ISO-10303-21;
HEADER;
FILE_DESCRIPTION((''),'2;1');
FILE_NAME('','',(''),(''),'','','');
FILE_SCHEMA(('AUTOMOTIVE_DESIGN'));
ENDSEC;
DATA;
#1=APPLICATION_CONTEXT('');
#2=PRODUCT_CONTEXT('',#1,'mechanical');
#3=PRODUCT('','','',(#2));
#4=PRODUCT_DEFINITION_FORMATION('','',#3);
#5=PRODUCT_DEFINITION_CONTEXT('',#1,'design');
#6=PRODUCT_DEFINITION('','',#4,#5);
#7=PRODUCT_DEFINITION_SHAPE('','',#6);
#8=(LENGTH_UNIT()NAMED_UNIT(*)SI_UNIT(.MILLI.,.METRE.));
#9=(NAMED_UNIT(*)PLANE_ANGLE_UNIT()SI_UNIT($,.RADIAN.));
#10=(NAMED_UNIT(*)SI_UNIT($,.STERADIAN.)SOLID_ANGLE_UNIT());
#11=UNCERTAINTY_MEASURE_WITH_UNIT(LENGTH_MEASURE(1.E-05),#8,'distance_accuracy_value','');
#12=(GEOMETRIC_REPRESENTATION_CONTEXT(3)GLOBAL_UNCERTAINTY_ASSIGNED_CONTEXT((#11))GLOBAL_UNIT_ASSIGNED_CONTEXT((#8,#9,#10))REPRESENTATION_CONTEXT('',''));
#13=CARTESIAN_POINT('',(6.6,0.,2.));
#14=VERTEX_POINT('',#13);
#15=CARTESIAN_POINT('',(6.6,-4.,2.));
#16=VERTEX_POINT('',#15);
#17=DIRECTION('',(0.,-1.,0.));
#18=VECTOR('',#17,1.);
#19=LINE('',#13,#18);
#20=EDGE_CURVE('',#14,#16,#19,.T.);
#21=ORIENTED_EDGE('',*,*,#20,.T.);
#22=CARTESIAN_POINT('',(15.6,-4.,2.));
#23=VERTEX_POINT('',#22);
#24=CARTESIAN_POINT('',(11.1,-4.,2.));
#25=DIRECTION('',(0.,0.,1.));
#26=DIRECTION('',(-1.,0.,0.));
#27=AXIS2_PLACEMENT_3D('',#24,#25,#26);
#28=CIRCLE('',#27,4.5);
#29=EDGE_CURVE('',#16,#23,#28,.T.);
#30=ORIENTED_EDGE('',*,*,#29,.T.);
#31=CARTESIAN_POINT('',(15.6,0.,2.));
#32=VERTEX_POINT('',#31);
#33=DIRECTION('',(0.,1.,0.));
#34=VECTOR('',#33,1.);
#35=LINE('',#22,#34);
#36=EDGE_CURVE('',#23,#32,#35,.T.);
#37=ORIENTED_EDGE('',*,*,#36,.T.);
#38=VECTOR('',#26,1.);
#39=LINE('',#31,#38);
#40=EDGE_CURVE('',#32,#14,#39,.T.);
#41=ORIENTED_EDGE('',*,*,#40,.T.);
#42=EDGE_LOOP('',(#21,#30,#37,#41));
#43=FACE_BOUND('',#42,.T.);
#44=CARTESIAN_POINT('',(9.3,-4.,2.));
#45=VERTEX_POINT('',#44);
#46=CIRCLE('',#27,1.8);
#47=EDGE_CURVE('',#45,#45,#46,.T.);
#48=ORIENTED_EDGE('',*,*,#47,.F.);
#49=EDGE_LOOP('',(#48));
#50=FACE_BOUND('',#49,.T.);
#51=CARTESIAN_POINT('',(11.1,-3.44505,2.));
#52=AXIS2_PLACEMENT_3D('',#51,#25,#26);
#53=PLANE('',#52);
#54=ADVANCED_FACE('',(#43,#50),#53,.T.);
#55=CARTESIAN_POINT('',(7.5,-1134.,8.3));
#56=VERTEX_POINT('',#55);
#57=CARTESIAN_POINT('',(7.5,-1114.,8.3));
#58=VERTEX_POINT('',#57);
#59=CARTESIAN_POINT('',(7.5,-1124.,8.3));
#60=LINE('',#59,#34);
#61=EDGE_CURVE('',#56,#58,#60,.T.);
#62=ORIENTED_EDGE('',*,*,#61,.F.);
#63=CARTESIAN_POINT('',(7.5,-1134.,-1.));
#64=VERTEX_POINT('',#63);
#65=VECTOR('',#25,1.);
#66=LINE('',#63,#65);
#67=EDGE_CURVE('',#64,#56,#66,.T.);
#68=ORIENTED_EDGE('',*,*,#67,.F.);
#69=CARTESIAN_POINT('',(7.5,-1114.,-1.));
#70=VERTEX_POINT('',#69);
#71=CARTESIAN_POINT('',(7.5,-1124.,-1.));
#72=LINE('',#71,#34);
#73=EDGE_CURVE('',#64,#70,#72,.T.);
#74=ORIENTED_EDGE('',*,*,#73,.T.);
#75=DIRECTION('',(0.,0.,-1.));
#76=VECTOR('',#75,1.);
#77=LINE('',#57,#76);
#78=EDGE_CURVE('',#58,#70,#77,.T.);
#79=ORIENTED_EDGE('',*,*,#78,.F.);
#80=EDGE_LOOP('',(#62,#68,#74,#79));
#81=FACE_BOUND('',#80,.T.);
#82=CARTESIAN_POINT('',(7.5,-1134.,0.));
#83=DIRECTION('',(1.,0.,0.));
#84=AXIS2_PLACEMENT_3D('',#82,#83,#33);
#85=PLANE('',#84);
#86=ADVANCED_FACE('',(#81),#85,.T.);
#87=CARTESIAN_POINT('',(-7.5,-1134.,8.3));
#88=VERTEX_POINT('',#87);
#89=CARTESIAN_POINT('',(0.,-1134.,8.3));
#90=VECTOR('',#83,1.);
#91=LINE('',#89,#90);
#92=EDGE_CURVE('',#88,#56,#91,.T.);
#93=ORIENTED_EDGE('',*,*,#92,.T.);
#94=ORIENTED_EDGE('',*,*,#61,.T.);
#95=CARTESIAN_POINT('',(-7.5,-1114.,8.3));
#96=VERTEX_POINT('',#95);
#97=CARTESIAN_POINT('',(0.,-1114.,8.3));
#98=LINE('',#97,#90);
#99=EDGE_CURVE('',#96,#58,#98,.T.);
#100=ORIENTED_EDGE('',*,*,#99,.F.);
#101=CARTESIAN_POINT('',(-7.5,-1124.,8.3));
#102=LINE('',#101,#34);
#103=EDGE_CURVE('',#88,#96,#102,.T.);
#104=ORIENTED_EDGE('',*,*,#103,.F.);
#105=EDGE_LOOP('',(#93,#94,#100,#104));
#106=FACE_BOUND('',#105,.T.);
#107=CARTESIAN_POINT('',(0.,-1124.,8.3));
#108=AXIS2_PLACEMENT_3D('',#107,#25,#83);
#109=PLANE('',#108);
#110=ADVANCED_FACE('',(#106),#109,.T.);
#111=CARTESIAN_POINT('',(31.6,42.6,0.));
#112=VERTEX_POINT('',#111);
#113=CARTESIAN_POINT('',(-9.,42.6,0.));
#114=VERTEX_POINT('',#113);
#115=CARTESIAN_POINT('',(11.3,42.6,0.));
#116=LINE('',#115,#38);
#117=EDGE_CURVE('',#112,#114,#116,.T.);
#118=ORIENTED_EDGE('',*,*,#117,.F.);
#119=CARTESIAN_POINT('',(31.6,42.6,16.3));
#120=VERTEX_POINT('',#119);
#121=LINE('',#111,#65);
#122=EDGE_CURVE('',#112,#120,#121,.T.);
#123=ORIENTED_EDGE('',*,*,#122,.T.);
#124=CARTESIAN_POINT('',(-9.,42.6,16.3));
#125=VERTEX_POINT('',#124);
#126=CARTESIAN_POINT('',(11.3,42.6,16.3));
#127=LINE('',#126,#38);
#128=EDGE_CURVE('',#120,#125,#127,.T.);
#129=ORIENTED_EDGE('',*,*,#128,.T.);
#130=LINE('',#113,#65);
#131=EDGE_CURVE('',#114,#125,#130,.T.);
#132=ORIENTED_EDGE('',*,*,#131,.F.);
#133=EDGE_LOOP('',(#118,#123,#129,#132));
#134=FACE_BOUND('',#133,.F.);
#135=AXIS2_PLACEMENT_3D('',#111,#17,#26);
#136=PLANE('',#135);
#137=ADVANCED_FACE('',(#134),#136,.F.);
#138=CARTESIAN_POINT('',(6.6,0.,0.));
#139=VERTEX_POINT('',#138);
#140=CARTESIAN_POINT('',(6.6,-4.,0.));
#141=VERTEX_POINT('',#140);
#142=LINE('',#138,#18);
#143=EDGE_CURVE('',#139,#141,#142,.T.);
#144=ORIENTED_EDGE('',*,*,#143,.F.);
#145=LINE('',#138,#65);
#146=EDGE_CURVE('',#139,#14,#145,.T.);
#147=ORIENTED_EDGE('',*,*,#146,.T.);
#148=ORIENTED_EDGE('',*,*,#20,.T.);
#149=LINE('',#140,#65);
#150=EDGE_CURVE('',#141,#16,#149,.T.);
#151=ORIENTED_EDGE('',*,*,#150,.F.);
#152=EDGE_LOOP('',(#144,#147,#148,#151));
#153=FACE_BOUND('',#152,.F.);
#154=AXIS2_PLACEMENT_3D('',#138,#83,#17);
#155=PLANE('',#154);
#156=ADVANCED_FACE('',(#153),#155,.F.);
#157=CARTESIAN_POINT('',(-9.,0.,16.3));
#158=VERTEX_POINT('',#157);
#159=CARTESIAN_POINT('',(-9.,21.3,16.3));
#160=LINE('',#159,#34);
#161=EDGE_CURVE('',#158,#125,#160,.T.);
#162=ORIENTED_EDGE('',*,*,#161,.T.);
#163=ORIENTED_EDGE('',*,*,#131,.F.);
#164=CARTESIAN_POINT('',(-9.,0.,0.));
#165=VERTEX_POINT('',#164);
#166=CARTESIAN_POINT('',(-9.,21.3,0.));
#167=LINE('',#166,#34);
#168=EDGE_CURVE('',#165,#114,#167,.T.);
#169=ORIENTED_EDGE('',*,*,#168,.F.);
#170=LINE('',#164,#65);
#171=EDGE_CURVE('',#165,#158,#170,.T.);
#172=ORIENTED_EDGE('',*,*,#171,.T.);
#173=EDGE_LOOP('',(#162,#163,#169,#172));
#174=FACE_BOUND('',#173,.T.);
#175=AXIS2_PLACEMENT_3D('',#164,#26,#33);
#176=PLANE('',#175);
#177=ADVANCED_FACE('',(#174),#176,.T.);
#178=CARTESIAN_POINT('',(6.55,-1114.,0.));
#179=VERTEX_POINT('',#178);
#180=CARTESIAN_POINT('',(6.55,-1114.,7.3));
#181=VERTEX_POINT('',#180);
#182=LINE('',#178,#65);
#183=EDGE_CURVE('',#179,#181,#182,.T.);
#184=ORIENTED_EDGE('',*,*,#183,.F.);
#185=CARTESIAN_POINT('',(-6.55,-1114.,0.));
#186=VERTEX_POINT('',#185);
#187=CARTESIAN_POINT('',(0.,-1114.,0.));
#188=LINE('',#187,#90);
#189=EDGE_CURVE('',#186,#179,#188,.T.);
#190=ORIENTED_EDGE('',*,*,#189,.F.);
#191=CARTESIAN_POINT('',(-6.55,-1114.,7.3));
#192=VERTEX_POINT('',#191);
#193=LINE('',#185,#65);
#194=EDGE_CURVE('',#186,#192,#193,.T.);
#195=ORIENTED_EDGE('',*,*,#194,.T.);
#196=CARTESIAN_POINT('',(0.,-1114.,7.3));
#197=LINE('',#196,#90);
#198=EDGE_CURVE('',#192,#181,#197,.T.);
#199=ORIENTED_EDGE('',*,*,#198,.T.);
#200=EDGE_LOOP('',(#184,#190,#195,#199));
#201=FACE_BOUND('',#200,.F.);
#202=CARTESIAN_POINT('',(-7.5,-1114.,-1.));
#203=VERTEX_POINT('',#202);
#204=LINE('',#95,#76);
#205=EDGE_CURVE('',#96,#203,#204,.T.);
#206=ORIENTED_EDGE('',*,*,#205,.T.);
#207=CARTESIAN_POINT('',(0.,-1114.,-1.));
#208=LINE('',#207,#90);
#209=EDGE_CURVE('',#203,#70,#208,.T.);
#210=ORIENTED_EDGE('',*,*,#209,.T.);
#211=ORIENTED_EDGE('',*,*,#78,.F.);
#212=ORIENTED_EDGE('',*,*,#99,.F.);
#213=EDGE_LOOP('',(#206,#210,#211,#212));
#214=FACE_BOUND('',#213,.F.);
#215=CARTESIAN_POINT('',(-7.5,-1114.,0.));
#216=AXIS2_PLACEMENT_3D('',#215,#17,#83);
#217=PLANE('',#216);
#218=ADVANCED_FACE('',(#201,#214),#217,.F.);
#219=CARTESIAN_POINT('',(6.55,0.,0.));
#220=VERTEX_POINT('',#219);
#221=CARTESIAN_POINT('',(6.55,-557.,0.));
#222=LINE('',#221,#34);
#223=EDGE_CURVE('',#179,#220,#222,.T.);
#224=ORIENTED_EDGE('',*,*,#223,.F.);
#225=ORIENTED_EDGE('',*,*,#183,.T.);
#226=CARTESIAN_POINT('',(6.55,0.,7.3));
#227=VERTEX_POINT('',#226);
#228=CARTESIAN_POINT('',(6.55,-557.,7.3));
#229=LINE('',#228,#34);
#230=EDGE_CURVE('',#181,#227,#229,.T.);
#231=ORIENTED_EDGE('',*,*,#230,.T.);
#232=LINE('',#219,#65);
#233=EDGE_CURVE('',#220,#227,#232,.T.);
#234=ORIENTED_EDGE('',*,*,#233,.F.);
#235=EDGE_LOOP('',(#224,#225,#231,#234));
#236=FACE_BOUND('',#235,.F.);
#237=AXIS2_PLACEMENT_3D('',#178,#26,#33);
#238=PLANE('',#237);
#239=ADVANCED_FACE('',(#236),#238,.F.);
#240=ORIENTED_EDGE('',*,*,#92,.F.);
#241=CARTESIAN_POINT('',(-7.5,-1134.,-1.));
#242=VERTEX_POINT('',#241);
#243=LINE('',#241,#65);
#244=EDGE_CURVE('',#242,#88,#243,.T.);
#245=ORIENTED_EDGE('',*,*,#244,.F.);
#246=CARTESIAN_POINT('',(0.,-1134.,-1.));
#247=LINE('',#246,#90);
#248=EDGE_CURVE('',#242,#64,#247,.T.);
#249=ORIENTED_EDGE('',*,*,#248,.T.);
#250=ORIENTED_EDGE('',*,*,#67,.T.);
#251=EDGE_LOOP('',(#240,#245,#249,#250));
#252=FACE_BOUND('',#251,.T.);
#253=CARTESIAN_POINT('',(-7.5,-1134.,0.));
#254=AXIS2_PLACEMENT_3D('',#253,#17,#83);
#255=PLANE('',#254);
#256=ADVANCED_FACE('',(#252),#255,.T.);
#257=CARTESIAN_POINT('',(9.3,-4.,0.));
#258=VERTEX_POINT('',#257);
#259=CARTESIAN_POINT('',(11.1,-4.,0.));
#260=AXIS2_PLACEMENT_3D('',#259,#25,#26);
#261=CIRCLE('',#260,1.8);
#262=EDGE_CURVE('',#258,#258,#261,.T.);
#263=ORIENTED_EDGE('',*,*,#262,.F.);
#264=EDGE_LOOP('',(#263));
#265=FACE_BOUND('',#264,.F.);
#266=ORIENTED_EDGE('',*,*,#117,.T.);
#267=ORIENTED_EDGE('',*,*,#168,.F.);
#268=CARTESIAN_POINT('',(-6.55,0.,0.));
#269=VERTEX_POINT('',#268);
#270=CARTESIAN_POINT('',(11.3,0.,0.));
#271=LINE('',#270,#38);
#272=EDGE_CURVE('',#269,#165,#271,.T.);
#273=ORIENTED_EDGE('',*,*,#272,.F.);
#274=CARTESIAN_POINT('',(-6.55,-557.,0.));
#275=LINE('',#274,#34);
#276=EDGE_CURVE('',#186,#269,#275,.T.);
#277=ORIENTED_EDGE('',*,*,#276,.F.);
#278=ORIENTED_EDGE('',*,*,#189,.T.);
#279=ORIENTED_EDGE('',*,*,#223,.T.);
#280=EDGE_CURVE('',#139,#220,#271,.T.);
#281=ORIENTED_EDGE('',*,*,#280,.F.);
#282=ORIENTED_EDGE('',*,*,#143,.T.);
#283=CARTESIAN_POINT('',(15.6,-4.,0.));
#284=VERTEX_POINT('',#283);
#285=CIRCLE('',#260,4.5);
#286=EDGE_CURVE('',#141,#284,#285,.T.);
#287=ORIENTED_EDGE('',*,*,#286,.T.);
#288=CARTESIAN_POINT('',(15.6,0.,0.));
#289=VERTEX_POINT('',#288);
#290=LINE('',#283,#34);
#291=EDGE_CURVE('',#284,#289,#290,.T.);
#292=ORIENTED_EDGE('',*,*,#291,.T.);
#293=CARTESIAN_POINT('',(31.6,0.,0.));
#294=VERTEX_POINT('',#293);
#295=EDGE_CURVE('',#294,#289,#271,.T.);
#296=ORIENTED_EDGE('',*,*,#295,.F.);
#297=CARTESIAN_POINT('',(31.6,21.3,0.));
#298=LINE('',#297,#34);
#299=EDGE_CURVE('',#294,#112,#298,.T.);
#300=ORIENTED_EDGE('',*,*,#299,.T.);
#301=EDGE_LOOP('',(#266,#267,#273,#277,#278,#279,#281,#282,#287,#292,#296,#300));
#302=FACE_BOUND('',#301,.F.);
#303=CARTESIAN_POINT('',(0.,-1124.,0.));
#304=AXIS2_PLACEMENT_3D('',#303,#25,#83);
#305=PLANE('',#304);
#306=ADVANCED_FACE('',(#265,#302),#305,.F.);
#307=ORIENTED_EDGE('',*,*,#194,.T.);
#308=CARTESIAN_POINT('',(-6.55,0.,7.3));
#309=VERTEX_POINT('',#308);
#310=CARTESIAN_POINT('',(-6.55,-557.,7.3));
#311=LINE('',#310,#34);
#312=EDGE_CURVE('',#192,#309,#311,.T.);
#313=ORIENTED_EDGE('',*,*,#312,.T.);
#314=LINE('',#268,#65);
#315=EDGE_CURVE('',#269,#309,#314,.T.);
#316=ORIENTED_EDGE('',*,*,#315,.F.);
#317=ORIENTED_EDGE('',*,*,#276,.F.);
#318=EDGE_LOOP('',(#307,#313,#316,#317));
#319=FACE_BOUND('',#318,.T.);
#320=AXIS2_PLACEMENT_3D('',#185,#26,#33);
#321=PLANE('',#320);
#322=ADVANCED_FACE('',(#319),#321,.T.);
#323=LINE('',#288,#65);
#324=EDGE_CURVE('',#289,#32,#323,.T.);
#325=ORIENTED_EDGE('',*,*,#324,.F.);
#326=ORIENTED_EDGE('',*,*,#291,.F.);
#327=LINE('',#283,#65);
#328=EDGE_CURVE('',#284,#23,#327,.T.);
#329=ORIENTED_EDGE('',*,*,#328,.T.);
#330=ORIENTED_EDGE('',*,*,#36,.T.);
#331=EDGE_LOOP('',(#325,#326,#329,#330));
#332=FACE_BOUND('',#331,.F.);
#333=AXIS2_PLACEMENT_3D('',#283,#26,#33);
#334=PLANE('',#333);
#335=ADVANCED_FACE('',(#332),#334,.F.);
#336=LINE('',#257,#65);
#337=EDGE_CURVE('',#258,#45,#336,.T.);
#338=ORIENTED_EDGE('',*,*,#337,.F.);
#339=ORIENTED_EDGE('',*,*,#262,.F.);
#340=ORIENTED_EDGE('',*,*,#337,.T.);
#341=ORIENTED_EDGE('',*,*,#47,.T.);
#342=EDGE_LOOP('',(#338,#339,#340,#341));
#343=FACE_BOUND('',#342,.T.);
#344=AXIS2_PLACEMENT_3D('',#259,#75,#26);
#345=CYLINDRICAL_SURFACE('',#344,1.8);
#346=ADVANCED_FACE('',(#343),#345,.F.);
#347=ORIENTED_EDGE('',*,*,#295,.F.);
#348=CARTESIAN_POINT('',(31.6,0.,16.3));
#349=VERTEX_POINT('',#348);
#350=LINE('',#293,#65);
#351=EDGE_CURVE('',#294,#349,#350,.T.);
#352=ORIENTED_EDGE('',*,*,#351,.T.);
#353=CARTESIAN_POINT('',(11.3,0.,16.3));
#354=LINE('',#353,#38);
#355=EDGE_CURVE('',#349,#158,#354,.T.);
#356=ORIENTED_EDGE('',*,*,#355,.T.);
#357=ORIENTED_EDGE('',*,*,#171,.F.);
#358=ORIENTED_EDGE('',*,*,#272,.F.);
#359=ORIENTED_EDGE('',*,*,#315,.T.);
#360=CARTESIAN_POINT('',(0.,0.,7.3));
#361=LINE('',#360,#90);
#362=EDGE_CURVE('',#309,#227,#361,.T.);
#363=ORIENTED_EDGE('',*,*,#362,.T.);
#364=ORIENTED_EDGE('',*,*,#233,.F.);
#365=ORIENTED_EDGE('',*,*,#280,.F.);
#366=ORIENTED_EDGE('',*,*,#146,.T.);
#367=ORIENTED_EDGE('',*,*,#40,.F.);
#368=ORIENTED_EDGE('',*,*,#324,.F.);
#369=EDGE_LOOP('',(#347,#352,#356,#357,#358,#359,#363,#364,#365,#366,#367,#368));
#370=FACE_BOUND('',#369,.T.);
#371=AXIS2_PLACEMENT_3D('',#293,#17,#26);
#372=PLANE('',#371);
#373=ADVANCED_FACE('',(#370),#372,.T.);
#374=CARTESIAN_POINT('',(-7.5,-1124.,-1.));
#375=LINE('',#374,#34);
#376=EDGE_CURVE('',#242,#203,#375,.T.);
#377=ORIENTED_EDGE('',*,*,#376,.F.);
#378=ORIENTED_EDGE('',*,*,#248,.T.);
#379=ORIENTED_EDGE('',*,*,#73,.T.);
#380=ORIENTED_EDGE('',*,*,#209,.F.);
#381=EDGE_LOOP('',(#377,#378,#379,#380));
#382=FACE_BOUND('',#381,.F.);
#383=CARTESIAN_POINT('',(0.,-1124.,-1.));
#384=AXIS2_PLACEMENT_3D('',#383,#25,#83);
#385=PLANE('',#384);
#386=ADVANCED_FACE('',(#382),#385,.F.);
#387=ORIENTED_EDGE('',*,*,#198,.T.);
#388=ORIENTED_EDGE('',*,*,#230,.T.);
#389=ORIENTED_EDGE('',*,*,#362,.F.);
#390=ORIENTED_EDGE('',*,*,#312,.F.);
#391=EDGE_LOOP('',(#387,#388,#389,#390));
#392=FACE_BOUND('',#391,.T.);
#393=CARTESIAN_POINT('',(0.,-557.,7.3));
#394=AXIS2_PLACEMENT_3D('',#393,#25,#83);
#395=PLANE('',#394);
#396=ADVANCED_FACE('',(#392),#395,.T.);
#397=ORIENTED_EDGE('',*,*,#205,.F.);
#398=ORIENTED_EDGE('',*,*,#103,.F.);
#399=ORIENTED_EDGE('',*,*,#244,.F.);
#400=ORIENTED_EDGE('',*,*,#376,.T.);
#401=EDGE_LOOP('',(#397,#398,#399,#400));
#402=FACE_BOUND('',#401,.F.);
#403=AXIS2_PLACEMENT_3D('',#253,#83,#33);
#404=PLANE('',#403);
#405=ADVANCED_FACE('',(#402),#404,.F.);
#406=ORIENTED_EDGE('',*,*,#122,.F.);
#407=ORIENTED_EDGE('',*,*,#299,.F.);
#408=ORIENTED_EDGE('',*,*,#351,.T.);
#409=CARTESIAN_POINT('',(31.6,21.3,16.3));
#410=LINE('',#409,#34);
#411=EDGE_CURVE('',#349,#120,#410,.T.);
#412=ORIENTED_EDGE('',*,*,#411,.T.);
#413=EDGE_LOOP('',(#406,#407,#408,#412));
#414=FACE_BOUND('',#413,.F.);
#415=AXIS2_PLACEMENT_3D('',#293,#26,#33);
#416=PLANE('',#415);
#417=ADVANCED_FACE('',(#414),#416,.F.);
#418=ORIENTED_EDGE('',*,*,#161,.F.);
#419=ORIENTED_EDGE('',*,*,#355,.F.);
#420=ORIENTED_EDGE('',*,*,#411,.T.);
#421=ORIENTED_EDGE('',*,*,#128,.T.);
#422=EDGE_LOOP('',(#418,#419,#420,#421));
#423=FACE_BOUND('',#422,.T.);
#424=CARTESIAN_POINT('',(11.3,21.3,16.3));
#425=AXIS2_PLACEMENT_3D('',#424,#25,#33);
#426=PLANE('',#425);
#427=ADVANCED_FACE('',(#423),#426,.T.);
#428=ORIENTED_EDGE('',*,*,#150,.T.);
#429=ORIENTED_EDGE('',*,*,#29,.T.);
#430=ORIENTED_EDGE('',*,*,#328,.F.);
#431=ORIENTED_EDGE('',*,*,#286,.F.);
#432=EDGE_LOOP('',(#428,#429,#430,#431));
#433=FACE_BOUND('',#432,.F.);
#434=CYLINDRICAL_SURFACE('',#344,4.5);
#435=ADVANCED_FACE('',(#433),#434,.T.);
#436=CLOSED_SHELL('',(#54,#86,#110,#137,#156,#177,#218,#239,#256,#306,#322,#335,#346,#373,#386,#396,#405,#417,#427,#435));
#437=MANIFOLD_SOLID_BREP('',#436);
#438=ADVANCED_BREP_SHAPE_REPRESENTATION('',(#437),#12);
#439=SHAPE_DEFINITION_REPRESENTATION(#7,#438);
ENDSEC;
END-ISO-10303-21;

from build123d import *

# Parameters (mm, degrees)
BINDER_W          = 42.6
BINDER_H          = 40.6
PAD002_DEPTH      = 16.3
SKETCH_R          = 1.8
PAD_DEPTH         = 2
SKETCH003_W       = 13.1
SKETCH003_H       = 1114
PAD001_DEPTH      = 7.3
SKETCH004_W       = 15
SKETCH004_H       = 20
PAD003_DEPTH      = 8.3
PAD003_DEPTH_BACK = 1


with BuildPart() as part:
    # Binder → Pad002 (new body)
    with BuildSketch(Plane(origin=(11.3, 21.3, 0), x_dir=(0, 1, 0), z_dir=(0, 0, 1))):
        Rectangle(BINDER_W, BINDER_H)
    extrude(amount=PAD002_DEPTH)

    # Sketch → Pad (join)
    with BuildSketch(Plane(origin=(11.1, 0, 0), x_dir=(-1, 0, 0), z_dir=(0, 0, 1))):
        with BuildLine():
            ThreePointArc((4.5, 4), (0, 8.5), (-4.5, 4))
            Line((-4.5, 4), (-4.5, 0))
            Line((-4.5, 0), (4.5, 0))
            Line((4.5, 0), (4.5, 4))
        make_face()
        with Locations((0, 4)):
            Circle(SKETCH_R, mode=Mode.SUBTRACT)
    extrude(amount=PAD_DEPTH)

    # Sketch003 → Pad001 (join)
    with BuildSketch(Plane.XY):
        with Locations((0, -557)):
            Rectangle(SKETCH003_W, SKETCH003_H)
    extrude(amount=PAD001_DEPTH)

    # Sketch004 → Pad003 (join, two sides)
    with BuildSketch(Plane.XY) as pad003_sk:
        with Locations((0, -1124)):
            Rectangle(SKETCH004_W, SKETCH004_H)
    extrude(amount=PAD003_DEPTH)
    extrude(pad003_sk.sketch, amount=-PAD003_DEPTH_BACK)


solid = part.part
